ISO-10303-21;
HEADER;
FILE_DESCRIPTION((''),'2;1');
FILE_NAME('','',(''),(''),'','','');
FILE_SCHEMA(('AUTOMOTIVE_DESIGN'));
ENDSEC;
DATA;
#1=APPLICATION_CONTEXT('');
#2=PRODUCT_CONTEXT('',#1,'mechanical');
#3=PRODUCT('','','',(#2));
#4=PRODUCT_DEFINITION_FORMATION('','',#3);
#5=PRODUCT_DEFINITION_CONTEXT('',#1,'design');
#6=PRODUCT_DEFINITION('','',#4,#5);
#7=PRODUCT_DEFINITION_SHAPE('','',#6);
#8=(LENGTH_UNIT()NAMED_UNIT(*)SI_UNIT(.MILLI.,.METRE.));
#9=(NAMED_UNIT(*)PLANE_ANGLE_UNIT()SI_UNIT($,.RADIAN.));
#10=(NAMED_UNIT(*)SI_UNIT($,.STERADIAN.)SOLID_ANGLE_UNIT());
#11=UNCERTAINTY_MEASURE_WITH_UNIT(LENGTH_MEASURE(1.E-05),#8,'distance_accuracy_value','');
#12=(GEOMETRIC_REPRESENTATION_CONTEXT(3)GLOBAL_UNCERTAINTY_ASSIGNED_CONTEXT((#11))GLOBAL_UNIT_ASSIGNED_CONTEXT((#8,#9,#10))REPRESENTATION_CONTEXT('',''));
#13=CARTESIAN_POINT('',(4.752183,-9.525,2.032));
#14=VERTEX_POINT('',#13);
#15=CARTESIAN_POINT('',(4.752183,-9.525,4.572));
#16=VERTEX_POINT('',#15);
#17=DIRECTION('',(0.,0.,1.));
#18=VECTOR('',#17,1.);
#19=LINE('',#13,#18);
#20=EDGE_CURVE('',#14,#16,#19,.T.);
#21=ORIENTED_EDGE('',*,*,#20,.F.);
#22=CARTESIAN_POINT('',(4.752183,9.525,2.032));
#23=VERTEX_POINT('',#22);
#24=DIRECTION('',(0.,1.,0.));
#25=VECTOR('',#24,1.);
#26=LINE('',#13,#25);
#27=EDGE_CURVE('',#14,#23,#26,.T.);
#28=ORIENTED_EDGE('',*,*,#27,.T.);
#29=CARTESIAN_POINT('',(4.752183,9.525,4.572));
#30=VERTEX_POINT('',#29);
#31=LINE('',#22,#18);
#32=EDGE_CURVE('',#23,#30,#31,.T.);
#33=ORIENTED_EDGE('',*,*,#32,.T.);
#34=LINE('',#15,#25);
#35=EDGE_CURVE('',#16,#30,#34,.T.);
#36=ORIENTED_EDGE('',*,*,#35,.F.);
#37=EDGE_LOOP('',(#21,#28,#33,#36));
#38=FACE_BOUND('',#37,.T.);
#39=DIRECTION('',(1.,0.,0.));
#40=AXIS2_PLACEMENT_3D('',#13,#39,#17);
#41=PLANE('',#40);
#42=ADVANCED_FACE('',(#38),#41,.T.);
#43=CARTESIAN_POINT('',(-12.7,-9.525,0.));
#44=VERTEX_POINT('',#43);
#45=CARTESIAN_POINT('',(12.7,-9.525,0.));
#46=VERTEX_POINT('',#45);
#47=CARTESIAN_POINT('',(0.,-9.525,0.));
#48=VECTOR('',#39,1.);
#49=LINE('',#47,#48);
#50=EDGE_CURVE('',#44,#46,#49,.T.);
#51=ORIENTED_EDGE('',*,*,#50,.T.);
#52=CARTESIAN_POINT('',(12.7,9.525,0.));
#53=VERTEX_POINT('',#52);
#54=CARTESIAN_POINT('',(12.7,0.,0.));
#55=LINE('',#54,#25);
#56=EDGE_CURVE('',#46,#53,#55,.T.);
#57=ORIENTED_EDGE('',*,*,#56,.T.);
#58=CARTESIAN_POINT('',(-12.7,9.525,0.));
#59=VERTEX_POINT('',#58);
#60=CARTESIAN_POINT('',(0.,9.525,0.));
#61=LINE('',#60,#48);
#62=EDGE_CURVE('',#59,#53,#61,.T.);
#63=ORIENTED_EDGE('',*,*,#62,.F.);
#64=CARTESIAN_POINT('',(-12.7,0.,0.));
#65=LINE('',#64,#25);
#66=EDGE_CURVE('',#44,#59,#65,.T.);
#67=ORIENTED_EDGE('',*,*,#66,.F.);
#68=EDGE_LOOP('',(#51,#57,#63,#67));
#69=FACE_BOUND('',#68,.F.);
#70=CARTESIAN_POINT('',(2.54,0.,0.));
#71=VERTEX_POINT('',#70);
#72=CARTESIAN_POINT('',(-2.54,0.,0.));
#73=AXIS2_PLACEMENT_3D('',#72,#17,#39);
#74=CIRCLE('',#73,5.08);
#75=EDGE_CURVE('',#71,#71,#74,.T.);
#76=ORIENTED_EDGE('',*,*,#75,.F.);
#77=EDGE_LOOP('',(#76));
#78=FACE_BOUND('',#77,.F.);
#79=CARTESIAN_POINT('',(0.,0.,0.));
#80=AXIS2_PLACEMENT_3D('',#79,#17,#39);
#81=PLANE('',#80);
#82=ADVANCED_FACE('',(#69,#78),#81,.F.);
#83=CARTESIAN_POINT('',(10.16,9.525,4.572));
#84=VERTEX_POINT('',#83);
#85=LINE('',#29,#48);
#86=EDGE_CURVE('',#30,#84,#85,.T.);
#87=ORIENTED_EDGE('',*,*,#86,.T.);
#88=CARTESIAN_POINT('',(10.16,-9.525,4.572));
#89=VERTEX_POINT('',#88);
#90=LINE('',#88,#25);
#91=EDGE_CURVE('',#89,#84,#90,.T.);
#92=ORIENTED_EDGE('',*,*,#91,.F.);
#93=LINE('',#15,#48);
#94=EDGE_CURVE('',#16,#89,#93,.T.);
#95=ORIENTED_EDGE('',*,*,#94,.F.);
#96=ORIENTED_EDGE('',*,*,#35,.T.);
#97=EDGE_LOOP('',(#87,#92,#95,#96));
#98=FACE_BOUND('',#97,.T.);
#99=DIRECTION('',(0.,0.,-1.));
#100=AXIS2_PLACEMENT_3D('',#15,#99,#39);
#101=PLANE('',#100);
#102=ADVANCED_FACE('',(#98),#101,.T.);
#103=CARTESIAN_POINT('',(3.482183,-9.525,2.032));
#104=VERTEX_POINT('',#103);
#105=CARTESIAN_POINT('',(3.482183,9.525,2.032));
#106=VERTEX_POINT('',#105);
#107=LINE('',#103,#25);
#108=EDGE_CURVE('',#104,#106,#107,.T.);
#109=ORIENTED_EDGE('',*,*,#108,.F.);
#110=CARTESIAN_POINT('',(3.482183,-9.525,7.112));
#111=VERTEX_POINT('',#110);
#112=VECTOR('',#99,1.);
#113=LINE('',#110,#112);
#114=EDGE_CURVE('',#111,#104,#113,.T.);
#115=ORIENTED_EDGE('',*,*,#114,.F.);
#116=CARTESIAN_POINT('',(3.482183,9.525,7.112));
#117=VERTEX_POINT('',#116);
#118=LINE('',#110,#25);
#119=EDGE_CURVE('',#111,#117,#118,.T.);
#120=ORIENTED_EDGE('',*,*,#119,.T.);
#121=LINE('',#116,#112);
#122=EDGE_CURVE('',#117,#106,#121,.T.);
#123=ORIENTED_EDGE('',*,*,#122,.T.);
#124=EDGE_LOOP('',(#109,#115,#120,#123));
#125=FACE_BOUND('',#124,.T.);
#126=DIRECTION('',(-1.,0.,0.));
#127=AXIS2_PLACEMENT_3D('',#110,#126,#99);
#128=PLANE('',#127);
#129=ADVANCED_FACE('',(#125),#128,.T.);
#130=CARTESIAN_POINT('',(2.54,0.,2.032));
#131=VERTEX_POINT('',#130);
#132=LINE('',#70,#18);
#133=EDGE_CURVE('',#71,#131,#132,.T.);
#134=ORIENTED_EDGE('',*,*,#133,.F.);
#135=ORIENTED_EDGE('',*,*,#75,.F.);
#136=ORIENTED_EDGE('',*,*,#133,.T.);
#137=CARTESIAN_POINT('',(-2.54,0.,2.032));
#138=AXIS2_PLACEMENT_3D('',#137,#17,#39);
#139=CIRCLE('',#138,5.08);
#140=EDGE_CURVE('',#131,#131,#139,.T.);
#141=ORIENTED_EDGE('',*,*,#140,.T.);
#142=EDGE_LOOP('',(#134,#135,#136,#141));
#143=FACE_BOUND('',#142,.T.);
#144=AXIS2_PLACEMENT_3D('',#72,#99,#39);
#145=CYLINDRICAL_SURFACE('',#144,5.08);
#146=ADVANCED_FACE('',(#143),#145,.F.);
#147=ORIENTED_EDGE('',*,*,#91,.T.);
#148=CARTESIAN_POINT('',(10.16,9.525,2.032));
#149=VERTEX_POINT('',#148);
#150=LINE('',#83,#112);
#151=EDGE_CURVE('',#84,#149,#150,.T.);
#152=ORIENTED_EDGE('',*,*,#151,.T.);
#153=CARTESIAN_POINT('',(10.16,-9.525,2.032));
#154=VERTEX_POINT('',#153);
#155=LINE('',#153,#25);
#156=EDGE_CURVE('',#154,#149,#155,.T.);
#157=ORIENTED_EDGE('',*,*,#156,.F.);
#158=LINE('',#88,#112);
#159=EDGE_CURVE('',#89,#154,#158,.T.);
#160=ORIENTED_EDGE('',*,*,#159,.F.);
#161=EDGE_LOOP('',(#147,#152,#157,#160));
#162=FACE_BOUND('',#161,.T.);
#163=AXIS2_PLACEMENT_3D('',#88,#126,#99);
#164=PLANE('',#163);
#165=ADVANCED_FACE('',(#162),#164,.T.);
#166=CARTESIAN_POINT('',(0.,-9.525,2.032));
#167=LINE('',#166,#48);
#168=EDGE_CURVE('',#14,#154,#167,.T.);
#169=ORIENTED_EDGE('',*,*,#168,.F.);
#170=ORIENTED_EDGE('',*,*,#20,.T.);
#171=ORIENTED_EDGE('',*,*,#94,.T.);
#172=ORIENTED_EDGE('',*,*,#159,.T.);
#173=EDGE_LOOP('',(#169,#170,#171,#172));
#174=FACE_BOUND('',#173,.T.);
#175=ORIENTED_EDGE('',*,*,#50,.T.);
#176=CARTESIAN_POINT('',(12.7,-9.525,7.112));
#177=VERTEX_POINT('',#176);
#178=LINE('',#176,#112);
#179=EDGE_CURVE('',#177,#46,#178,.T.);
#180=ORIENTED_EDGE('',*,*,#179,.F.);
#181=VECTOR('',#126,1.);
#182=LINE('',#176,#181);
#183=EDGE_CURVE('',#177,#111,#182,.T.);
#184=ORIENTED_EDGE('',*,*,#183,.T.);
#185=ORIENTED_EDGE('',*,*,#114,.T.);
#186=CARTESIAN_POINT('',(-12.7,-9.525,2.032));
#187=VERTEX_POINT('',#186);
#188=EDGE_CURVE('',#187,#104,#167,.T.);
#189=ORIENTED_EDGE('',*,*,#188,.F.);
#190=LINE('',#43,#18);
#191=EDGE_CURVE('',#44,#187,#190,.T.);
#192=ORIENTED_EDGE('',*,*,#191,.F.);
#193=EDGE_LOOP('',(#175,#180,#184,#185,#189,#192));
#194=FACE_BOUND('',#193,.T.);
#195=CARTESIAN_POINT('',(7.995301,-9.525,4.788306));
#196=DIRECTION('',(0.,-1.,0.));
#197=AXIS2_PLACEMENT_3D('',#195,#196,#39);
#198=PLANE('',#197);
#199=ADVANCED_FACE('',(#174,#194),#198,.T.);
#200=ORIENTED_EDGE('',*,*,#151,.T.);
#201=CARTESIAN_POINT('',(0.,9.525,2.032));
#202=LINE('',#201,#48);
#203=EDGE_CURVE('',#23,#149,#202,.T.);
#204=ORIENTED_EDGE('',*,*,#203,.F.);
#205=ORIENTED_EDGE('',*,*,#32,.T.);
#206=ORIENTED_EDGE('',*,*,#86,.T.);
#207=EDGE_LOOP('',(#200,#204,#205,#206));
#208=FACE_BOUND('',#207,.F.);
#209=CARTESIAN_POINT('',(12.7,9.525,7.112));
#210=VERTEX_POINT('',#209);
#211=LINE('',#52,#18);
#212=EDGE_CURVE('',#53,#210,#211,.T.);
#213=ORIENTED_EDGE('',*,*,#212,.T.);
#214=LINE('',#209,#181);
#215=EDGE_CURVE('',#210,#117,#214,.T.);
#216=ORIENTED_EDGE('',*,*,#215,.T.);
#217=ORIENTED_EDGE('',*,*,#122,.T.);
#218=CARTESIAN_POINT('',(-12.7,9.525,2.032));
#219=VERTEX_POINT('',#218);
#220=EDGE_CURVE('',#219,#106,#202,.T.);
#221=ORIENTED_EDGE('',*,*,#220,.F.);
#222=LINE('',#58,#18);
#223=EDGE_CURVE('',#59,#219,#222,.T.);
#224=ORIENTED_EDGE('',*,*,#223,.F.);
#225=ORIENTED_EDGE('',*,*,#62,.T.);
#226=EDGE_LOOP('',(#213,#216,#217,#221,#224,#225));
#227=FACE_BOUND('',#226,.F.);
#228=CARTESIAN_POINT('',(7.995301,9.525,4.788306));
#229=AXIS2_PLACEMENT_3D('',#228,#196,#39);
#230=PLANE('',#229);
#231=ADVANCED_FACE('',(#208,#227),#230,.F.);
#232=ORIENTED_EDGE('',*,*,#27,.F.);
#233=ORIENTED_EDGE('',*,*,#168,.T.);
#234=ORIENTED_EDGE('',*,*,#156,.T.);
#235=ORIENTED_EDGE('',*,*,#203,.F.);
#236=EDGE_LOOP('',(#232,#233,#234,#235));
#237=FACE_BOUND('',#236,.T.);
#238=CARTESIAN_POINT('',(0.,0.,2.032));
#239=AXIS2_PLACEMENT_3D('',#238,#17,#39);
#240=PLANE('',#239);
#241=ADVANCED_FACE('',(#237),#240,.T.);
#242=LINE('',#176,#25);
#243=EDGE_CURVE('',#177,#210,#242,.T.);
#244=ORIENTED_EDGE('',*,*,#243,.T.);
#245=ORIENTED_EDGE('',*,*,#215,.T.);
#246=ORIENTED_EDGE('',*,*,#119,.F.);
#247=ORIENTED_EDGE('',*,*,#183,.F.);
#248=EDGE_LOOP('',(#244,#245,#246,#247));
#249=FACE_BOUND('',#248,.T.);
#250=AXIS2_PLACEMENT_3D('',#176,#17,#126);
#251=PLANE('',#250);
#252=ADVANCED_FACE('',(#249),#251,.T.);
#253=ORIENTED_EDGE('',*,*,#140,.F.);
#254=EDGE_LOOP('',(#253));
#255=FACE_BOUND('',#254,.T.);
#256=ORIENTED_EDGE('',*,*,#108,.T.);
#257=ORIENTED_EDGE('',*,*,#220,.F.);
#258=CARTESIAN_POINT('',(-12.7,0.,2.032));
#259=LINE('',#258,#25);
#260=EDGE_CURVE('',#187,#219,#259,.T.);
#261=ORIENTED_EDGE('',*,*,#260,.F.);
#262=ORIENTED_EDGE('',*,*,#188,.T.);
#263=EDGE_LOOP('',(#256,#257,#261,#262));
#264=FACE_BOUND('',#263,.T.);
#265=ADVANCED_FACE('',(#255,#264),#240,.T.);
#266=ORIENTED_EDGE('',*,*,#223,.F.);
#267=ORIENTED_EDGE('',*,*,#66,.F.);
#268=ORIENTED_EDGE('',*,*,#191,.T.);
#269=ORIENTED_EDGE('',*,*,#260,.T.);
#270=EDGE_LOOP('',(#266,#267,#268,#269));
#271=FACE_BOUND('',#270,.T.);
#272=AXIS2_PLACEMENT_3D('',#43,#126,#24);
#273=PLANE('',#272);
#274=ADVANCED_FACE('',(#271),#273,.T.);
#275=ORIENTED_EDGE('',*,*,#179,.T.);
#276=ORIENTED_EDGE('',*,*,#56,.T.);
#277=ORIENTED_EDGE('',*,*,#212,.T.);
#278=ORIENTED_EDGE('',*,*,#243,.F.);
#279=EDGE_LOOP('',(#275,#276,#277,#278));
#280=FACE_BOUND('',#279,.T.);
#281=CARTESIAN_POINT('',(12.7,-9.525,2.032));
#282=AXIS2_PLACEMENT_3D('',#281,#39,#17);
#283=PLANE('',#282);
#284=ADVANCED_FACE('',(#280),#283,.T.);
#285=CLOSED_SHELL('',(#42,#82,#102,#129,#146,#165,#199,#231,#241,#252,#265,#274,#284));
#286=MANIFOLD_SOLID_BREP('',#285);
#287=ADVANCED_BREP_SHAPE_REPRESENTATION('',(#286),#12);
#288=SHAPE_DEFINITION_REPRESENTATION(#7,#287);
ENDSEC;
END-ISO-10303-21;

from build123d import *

# Parameters (mm, degrees)
F0_W     = 25.4
F0_H     = 19.05
F0_R     = 5.08
F1_DEPTH = 2.032
F3_DEPTH = 19.05


with BuildPart() as f1:
    # F0 (on Top) → F1 (new body)
    with BuildSketch(Plane.XY):
        Rectangle(F0_W, F0_H)
        with Locations((-2.54, 0)):
            Circle(F0_R, mode=Mode.SUBTRACT)
    extrude(amount=F1_DEPTH)

    # F2 (on face) → F3 (join, through all)
    with BuildSketch(Plane.XZ.offset(9.525)):
        Polygon((10.16, 2.032), (12.7, 2.032), (12.7, 7.112), (3.482183, 7.112), (3.482183, 2.032), (4.752183, 2.032), (4.752183, 4.572), (10.16, 4.572), align=None)
    extrude(amount=-F3_DEPTH)


solid = f1.part
